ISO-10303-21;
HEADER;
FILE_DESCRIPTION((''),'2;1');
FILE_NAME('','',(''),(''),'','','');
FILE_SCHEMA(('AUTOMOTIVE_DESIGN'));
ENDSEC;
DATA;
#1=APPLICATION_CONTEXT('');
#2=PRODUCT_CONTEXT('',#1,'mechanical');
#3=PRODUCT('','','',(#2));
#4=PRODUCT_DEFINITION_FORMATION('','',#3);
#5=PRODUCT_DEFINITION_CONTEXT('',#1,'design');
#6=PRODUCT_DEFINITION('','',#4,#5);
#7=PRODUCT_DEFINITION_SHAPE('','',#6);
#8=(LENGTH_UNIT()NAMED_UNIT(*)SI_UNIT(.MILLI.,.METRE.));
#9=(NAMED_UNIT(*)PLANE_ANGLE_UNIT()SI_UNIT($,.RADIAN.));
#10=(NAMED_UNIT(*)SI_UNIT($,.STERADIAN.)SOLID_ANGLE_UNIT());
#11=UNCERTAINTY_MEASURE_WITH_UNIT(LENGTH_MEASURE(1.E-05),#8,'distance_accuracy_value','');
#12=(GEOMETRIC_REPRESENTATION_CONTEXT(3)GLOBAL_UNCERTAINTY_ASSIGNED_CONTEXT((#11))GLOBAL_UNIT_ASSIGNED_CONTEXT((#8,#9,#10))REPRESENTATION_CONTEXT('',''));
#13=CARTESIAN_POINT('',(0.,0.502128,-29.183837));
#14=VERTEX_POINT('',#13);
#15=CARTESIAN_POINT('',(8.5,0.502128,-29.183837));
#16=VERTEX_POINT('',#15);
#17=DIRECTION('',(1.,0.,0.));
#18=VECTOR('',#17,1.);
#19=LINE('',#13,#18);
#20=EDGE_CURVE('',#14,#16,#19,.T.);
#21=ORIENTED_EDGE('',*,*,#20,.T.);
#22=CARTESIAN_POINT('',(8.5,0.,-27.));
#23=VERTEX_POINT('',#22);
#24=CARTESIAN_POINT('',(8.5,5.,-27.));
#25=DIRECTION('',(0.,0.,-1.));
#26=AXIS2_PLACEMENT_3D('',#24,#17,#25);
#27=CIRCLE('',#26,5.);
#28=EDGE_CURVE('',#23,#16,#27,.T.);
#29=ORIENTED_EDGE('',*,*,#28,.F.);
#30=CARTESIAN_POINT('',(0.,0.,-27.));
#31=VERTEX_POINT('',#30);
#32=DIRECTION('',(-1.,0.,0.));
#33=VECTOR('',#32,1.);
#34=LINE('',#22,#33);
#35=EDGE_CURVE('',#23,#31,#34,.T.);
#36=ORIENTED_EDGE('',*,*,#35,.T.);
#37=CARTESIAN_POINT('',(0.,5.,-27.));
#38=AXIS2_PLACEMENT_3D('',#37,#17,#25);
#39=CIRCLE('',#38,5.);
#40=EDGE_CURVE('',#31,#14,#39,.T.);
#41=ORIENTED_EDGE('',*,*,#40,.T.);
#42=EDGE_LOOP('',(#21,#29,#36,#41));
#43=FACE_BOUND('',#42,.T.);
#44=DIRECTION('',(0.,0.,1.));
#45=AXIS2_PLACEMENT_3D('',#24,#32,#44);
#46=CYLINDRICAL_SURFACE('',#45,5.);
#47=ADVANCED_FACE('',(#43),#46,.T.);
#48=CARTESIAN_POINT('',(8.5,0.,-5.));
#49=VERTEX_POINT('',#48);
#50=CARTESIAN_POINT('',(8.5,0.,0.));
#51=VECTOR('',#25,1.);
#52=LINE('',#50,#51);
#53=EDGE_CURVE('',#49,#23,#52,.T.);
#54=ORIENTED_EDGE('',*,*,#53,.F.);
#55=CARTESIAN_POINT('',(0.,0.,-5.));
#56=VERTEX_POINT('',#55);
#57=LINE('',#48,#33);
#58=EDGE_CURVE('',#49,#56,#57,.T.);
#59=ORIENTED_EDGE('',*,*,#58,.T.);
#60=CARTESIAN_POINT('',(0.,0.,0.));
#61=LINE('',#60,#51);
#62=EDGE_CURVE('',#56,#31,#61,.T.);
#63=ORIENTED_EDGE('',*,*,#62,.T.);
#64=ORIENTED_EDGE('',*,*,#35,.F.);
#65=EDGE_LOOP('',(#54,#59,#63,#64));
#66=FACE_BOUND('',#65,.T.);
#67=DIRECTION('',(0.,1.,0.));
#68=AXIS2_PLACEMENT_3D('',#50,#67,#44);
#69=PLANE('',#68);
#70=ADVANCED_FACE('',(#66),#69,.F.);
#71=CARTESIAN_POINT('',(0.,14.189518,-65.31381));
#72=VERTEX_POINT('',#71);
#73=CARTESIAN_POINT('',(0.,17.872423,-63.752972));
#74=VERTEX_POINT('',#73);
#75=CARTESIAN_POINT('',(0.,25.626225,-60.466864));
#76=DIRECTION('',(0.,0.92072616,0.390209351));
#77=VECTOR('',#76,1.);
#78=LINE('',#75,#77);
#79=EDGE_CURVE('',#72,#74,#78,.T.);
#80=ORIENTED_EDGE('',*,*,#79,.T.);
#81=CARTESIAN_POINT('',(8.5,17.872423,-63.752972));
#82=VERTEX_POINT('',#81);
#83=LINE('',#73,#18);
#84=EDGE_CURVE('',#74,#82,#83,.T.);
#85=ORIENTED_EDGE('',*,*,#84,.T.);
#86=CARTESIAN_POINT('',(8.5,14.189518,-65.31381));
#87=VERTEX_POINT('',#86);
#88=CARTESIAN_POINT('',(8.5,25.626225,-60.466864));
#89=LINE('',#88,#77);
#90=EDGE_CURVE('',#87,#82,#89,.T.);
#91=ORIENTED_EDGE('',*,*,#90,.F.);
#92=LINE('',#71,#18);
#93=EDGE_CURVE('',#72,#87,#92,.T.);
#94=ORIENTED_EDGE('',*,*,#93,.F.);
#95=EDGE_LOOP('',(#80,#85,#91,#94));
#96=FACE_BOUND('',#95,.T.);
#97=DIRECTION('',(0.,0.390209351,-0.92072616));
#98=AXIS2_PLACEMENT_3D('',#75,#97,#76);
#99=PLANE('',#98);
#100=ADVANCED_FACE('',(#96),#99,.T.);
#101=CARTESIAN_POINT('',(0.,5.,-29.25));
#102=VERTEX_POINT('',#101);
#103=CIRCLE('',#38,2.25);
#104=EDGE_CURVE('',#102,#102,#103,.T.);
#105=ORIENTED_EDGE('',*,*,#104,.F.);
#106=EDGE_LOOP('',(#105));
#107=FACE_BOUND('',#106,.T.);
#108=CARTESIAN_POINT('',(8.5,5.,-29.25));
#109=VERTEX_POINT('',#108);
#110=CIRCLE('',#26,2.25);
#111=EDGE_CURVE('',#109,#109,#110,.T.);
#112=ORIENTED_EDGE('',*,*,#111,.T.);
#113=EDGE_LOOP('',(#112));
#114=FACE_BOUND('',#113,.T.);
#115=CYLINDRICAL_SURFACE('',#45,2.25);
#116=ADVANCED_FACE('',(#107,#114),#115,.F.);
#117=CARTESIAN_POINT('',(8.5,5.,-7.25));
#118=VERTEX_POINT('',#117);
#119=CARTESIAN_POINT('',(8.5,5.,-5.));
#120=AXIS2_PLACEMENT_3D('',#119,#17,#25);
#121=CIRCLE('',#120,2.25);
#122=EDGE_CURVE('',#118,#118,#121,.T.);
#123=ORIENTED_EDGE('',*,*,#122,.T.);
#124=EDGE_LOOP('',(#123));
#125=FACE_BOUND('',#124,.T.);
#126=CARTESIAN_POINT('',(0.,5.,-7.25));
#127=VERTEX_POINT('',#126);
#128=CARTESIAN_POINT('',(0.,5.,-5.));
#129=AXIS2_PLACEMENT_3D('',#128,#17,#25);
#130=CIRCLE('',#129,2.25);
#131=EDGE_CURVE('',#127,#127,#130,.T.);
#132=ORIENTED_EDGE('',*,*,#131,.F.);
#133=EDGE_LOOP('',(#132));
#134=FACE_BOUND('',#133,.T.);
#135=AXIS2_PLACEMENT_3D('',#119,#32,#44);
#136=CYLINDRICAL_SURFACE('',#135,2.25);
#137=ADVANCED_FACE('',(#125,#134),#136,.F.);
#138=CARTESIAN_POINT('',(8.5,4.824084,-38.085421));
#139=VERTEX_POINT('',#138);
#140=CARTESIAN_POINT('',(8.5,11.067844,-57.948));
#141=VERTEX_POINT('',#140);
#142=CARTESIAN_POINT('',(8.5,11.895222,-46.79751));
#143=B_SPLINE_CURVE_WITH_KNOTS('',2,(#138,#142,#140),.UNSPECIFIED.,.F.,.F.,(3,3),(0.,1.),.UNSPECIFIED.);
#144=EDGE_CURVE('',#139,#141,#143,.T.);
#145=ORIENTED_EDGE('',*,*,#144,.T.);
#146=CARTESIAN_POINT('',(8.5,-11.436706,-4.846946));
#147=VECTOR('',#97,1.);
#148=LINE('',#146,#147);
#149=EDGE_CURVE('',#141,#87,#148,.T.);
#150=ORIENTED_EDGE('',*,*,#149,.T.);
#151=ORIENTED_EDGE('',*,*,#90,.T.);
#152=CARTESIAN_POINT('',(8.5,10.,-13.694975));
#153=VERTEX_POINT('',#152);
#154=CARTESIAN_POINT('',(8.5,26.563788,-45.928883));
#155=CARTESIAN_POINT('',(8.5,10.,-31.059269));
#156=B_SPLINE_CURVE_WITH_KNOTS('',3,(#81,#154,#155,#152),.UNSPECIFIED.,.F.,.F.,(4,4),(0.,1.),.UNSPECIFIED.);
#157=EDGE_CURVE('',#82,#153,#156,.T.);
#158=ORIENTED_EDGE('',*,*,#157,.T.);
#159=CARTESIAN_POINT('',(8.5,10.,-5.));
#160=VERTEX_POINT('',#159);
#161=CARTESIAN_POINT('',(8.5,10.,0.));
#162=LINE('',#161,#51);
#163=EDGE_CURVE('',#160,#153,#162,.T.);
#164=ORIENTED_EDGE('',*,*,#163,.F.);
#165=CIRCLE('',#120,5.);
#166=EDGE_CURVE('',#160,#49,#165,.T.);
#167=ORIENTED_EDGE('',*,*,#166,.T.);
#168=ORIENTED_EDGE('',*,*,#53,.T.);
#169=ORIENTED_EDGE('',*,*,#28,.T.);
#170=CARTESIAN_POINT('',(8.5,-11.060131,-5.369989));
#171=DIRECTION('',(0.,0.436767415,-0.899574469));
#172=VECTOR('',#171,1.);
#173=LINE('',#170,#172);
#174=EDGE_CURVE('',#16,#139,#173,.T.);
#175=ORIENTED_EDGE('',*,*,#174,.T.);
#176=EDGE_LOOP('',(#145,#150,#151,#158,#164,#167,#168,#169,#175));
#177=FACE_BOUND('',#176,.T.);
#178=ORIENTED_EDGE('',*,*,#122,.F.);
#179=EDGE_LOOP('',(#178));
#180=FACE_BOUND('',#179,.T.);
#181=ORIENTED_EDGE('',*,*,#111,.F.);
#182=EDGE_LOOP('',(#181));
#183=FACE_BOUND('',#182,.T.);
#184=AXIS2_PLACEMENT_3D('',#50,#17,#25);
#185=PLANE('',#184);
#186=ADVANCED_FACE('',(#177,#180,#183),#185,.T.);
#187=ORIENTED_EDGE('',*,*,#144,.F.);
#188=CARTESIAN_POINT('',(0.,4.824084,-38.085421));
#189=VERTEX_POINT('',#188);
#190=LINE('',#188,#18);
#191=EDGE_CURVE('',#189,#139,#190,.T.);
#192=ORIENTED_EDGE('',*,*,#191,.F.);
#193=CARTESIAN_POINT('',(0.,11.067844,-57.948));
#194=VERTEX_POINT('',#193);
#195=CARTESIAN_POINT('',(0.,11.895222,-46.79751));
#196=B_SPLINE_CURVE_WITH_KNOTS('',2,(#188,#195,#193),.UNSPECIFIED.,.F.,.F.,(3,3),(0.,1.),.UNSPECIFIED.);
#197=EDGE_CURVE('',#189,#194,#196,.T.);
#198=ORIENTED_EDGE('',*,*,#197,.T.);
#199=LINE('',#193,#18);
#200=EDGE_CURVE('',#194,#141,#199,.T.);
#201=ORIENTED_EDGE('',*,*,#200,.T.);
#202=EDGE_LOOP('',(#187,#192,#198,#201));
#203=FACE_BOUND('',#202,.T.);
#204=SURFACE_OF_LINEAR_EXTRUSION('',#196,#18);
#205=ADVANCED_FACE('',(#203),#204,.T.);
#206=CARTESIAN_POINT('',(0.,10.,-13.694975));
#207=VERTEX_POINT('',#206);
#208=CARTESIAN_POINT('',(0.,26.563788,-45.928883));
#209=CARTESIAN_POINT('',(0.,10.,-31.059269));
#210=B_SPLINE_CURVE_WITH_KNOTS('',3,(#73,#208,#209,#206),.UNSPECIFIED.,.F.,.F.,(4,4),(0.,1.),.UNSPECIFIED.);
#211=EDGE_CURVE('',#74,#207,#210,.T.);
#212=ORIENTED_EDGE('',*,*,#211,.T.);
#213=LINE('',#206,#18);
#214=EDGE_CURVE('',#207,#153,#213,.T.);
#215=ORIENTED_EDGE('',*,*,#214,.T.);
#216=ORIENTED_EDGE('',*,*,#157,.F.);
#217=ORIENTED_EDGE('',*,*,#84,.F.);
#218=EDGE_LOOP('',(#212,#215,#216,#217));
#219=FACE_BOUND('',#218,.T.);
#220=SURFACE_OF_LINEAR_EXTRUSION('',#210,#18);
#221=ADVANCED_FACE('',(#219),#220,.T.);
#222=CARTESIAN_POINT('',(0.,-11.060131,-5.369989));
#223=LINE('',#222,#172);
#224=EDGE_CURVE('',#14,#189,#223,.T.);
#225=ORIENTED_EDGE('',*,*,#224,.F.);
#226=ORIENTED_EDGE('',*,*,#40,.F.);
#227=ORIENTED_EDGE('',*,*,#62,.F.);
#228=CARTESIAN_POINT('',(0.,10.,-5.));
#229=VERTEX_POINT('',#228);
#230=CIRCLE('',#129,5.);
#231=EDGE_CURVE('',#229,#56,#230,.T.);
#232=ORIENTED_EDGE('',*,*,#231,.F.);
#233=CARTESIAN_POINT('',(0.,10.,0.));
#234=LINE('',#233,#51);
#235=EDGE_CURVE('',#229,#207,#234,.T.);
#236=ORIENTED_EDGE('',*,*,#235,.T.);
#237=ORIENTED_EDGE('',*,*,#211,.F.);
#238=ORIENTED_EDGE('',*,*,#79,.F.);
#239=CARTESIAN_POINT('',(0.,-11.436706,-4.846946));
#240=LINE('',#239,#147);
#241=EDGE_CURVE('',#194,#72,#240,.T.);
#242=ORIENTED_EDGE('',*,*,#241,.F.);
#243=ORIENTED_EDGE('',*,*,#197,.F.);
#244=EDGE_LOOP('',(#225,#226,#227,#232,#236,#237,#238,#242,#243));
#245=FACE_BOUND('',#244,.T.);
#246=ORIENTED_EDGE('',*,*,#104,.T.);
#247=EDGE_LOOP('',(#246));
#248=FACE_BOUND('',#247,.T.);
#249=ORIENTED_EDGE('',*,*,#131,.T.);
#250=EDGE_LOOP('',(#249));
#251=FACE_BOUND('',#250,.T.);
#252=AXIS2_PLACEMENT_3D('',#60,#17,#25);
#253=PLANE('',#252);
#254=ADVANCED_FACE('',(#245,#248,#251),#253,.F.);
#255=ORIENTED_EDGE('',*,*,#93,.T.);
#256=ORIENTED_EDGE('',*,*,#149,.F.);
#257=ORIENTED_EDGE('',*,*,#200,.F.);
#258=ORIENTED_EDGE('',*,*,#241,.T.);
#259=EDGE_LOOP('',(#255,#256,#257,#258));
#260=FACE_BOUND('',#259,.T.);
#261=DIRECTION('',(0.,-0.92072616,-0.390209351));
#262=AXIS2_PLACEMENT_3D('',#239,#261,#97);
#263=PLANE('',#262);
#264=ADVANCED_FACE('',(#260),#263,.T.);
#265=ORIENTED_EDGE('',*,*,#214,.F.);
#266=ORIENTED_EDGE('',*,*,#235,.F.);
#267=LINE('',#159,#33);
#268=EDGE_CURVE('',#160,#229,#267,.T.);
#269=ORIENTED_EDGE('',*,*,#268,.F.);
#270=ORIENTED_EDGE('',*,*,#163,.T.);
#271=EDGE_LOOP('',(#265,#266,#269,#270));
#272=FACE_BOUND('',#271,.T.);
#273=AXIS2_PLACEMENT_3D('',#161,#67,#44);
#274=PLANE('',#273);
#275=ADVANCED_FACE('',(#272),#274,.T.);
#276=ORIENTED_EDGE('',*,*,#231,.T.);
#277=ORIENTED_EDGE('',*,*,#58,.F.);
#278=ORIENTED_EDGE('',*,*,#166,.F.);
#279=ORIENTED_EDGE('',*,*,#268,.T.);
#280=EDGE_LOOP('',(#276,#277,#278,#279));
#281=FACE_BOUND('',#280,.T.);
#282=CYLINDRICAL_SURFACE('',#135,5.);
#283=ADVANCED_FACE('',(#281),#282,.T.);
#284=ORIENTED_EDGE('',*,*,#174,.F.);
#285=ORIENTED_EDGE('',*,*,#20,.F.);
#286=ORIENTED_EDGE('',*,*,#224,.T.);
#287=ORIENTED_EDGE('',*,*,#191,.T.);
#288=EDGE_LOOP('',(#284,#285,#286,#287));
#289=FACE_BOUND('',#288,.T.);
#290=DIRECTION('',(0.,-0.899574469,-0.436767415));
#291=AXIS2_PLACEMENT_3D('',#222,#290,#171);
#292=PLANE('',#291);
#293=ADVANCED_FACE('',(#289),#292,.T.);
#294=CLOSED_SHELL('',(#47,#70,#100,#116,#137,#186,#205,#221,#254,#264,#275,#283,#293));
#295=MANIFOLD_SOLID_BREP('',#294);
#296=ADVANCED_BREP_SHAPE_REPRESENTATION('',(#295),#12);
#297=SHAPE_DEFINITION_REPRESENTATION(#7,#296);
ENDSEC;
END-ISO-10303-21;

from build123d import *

# Parameters (mm, degrees)
SKETCH1_R           = 2.25
BOSS_EXTRUDE1_DEPTH = 8.5
BOSS_EXTRUDE2_DEPTH = 8.5


with BuildPart() as part:
    # Sketch1 → Boss-Extrude1 (new body)
    with BuildSketch(Plane(origin=(0, 0, 0), x_dir=(0, 0, -1), z_dir=(1, 0, 0))):
        with BuildLine():
            Line((27, 10), (5, 10))
            ThreePointArc((5, 10), (0, 5), (5, 0))
            Line((5, 0), (27, 0))
            ThreePointArc((27, 0), (32, 5), (27, 10))
        make_face()
        with Locations((5, 5)):
            Circle(SKETCH1_R, mode=Mode.SUBTRACT)
        with Locations((27, 5)):
            Circle(SKETCH1_R, mode=Mode.SUBTRACT)
    extrude(amount=BOSS_EXTRUDE1_DEPTH)

    # Sketch2 → Boss-Extrude2 (add)
    with BuildSketch(Plane(origin=(8.5, 0, 0), x_dir=(0, 0, -1), z_dir=(1, 0, 0))):
        with BuildLine():
            add(Edge.make_bspline(
                [(63.752972286, 17.872423117), (45.928882678, 26.563787963), (31.059268621, 10), (13.694974759, 10)],
                knots=[0, 0, 0, 0, 1, 1, 1, 1], degree=3))
            Line((13.694974759, 10), (27, 10))
            ThreePointArc((27, 10), (31.87285141, 6.120410255), (29.183837075, 0.502127655))
            Line((29.183837075, 0.502127655), (38.08542066, 4.824084077))
            add(Edge.make_bspline(
                [(38.08542066, 4.824084077), (46.797509509, 11.895222457), (57.948000409, 11.067843667)],
                knots=[0, 0, 0, 1, 1, 1], degree=2))
            Line((57.948000409, 11.067843667), (65.313809691, 14.189518476))
            Line((65.313809691, 14.189518476), (63.752972286, 17.872423117))
        make_face()
    extrude(amount=-BOSS_EXTRUDE2_DEPTH)


solid = part.part
